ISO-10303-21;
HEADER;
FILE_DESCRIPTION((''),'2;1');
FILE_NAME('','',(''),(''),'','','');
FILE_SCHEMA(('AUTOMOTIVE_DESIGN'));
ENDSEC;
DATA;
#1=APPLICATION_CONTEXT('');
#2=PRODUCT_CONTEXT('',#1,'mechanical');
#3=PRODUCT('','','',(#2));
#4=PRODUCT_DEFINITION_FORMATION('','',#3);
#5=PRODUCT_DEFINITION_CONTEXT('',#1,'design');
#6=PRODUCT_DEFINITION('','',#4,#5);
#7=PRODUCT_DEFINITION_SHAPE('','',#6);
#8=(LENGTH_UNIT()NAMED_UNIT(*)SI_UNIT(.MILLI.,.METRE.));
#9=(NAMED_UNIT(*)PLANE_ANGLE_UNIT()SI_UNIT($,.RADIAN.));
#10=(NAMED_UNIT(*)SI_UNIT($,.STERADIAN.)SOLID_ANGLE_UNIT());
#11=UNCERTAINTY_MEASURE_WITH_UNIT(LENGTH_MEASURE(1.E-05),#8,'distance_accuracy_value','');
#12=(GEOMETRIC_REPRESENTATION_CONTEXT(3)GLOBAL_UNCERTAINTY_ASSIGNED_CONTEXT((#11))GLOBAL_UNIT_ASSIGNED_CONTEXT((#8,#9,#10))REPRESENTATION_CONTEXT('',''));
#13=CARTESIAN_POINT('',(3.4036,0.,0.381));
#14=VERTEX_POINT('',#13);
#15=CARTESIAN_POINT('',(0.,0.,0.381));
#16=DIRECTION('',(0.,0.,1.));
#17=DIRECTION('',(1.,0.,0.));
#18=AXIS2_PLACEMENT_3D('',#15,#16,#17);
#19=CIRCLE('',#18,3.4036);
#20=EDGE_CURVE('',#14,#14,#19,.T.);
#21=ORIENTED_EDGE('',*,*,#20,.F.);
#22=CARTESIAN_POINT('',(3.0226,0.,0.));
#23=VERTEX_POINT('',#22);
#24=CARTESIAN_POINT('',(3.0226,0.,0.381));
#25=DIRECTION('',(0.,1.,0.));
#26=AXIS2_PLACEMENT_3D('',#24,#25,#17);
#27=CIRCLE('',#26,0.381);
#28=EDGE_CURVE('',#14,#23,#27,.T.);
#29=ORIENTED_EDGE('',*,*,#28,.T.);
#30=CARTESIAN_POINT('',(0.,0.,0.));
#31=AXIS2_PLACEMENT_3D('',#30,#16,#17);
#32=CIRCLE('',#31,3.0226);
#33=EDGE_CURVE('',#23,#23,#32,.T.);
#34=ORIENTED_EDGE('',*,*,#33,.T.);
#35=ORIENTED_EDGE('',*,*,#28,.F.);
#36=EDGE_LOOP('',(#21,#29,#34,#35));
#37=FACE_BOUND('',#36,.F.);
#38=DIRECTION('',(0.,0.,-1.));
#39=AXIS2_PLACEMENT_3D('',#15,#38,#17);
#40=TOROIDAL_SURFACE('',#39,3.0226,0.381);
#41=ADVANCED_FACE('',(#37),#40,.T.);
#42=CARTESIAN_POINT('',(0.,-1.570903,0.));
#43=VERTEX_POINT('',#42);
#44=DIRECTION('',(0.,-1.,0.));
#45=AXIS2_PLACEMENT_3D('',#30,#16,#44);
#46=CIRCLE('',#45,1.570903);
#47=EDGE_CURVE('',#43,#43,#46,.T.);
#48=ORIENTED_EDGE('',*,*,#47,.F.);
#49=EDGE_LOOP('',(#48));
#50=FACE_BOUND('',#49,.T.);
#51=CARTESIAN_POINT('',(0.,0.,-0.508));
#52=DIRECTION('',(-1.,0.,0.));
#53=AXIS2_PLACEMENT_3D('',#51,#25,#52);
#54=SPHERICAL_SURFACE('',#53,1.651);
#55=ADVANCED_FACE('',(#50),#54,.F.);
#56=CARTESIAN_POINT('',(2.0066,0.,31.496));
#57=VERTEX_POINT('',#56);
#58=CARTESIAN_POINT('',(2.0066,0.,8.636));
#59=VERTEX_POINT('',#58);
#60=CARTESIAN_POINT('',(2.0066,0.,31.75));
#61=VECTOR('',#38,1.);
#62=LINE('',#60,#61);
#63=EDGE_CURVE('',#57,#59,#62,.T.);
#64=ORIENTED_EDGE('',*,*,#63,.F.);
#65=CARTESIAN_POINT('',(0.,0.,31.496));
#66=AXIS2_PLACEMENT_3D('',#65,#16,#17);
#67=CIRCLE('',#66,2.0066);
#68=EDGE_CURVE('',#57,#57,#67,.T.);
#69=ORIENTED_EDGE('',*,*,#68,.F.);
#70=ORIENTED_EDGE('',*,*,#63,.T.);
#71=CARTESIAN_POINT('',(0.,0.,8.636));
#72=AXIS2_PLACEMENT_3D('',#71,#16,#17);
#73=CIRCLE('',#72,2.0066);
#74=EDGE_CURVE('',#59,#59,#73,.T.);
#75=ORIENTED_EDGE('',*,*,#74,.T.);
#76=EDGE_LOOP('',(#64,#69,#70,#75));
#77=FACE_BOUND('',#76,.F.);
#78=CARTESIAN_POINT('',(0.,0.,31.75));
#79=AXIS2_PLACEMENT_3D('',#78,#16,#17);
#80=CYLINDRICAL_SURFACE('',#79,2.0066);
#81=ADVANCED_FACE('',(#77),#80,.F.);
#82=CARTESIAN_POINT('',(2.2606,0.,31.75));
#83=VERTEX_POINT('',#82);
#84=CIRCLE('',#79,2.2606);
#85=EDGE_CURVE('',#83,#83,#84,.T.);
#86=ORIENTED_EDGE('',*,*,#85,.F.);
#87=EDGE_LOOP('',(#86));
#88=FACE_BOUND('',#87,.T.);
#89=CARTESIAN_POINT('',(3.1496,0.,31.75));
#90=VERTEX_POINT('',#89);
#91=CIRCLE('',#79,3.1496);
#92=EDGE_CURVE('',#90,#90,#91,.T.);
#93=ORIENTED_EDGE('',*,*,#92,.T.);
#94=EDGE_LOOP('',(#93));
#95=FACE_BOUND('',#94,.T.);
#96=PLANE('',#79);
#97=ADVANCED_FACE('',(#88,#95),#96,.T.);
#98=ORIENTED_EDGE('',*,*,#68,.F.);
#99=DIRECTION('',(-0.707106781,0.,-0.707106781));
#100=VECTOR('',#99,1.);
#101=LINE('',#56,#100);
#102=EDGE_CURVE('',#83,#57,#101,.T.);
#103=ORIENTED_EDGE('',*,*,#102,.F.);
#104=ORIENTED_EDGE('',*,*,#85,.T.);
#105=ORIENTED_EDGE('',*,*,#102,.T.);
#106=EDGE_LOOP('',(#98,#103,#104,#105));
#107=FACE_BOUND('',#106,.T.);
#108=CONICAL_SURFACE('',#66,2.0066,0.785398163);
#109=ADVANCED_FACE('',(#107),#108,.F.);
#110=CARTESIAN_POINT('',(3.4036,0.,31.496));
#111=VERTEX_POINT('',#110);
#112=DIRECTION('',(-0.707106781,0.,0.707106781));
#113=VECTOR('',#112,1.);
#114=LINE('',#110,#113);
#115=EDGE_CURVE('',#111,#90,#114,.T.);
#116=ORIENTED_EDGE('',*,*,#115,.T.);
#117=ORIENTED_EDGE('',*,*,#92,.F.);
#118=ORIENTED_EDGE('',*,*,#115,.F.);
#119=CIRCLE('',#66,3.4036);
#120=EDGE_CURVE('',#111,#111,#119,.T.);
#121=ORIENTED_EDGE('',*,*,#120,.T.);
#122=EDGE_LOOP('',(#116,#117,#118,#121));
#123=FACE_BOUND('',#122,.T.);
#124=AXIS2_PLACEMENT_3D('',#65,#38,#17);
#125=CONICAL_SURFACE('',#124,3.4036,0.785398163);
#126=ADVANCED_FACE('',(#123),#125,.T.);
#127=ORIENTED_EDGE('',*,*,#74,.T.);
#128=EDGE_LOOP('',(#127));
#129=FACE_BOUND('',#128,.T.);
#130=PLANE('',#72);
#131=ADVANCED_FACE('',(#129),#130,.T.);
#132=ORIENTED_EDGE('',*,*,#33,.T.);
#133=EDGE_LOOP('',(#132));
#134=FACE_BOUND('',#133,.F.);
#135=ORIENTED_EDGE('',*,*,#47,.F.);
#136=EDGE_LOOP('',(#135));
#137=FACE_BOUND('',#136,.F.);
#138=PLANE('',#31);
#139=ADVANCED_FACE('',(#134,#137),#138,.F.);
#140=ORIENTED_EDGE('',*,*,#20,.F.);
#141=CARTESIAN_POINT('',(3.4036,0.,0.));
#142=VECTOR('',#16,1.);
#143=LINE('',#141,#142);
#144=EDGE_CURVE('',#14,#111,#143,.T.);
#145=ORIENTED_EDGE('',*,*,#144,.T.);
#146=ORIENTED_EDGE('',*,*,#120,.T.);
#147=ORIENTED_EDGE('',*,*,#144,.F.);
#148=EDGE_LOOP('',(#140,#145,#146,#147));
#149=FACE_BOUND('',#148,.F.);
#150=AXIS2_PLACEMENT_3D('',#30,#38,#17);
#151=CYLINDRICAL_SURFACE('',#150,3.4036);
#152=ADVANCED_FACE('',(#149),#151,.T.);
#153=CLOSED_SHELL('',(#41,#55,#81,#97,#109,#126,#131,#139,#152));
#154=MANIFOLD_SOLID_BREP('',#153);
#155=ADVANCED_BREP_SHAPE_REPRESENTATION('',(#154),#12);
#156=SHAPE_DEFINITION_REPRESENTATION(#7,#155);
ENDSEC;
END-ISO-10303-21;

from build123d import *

# Parameters (mm, degrees)
F0_R     = 3.4036
F1_DEPTH = 31.75
F2_R     = 2.0066
F3_DEPTH = 23.114
F7_R     = 0.381
F8_SIZE  = 0.254


with BuildPart() as f1:
    # F0 (on Top) → F1 (new body)
    with BuildSketch(Plane.XY):
        Circle(F0_R)
    extrude(amount=F1_DEPTH)

    # F2 (on face) → F3 (cut)
    with BuildSketch(Plane.XY.offset(31.75)):
        Circle(F2_R)
    extrude(amount=-F3_DEPTH, mode=Mode.SUBTRACT)

    # F5 (on offset) → F6 (revolve, cut)
    with BuildSketch(Plane(origin=(0, 0, -0.508), x_dir=(1, 0, 0), z_dir=(0, 0, -1))):
        with BuildLine():
            ThreePointArc((0, 1.651), (-1.651, 0), (0, -1.651))
            Line((0, -1.651), (0, 1.651))
        make_face()
    revolve(axis=Axis((0, -0.148408, -0.508), (0, -1, 0)), mode=Mode.SUBTRACT)

    # F7
    f7_edges = [f1.edges().sort_by_distance(p)[0] for p in [
        (-3.4036, 0, 0),
    ]]
    fillet(f7_edges, radius=F7_R)

    # F8
    f8_edges = [f1.edges().sort_by_distance(p)[0] for p in [
        (-3.4036, 0, 31.75),
        (-2.0066, 0, 31.75),
    ]]
    chamfer(f8_edges, length=F8_SIZE)


solid = f1.part
